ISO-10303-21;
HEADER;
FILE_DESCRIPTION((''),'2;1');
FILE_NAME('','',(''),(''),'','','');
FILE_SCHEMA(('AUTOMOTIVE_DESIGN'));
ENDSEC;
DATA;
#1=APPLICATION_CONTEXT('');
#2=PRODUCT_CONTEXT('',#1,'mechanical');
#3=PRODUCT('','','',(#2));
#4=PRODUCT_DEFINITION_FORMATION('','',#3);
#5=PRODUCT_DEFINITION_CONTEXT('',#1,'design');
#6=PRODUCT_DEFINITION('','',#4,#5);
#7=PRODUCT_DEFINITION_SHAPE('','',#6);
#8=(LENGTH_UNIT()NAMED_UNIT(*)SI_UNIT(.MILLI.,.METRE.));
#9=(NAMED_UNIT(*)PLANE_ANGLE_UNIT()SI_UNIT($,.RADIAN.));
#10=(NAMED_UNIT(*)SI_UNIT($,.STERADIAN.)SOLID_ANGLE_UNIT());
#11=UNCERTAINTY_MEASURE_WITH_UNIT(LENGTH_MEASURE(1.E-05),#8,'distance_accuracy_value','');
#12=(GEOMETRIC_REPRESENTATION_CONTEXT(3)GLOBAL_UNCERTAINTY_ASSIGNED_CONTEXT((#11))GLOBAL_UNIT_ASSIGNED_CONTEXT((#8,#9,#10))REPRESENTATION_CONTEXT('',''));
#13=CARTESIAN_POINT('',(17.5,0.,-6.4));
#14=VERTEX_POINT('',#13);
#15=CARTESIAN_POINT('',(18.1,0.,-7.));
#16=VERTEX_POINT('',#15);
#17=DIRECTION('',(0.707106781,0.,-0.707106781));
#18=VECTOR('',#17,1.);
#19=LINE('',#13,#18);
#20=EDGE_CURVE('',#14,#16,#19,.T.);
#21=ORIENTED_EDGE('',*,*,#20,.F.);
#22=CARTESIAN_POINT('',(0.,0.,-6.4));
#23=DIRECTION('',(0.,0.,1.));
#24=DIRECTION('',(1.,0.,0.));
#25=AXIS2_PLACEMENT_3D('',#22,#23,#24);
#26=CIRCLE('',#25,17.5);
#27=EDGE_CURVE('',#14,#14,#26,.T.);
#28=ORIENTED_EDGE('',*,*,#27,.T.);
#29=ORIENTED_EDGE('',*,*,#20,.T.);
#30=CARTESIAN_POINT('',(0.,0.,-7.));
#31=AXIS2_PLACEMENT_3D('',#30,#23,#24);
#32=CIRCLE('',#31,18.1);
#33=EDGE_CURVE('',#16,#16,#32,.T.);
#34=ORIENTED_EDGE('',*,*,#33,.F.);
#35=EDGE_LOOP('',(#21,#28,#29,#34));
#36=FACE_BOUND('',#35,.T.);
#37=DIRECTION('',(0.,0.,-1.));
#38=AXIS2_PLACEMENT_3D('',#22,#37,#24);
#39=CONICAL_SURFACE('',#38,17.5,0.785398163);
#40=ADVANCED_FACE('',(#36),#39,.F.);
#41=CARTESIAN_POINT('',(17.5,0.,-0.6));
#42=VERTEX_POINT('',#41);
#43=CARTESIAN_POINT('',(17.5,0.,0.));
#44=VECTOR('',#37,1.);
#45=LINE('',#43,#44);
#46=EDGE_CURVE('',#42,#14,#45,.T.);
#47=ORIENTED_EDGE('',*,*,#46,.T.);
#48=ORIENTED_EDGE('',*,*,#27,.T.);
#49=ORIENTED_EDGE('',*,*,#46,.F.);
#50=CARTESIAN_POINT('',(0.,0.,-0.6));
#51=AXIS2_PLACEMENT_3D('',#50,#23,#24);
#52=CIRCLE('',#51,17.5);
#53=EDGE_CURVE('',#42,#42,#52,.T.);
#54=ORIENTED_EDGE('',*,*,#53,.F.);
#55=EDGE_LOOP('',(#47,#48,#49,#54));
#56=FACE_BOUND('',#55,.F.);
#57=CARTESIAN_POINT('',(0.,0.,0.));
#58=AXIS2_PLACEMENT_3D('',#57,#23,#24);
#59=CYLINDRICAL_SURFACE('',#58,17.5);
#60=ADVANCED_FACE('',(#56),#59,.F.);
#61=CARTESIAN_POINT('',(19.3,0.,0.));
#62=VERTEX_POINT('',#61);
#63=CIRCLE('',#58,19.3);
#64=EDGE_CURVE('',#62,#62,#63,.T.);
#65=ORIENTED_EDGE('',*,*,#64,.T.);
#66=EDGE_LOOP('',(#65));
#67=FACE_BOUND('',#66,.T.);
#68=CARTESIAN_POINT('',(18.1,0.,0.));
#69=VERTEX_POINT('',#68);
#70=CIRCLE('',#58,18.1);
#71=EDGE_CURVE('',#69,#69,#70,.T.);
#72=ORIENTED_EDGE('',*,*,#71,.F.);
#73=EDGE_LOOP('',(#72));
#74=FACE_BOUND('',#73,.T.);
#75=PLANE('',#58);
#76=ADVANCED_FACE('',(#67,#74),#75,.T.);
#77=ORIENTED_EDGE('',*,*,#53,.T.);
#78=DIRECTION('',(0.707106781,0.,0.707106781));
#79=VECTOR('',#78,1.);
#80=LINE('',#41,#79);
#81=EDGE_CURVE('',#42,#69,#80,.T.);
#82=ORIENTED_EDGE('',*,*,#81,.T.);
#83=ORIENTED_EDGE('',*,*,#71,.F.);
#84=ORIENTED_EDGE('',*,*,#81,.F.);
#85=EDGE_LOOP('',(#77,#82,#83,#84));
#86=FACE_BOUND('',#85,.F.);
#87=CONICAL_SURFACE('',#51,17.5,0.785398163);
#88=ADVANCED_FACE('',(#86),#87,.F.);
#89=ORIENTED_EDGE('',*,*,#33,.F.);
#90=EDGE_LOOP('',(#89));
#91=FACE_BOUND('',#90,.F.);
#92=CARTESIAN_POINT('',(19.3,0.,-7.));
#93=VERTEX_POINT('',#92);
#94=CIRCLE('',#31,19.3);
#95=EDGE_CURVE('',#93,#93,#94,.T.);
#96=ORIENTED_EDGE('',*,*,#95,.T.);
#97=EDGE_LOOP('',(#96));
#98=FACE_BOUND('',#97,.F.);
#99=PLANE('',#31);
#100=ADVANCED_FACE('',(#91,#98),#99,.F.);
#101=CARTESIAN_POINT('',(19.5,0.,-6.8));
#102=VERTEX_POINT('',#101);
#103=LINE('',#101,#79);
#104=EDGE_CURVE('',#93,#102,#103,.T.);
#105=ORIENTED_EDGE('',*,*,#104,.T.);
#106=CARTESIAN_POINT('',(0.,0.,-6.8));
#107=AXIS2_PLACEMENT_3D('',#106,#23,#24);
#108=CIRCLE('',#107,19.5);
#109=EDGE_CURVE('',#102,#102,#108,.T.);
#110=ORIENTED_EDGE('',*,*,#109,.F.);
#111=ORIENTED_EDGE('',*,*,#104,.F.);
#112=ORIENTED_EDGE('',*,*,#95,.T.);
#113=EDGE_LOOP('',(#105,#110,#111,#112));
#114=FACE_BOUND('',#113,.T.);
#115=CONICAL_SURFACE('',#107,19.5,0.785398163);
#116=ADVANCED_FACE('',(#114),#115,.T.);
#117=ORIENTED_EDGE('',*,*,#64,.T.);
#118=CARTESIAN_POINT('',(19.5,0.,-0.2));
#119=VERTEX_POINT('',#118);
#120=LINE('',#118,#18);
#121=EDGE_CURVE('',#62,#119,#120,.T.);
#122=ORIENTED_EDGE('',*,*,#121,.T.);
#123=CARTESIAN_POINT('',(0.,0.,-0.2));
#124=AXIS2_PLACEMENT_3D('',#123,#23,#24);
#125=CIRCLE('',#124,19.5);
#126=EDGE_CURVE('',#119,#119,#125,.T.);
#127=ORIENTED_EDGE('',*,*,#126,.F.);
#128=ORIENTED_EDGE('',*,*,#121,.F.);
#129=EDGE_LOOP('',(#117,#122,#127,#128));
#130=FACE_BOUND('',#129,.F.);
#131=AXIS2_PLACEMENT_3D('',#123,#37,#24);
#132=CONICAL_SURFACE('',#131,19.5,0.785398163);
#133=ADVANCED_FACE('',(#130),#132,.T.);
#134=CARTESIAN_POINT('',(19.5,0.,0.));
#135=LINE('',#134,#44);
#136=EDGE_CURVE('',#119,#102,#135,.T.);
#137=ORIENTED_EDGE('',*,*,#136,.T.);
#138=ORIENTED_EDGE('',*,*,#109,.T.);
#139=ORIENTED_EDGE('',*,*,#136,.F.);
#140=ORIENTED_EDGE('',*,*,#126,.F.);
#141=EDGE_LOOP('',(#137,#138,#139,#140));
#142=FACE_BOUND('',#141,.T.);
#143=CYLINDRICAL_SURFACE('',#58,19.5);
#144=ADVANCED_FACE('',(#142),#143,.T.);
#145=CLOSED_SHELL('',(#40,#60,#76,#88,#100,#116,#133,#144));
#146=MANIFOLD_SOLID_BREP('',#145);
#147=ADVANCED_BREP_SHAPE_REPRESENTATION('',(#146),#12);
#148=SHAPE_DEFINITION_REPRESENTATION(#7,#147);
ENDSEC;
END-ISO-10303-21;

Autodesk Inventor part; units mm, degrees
ref_plane "YZ Plane" through (0, 0, 0) normal (1, 0, 0) x (0, 1, 0)
ref_plane "XZ Plane" through (0, 0, 0) normal (0, 1, 0) x (-1, 0, 0)
ref_plane "XY Plane" through (0, 0, 0) normal (0, 0, 1) x (1, 0, 0)
sketch "Sketch1" plane through (0, 0, 0) normal (0, 0, 1) x (1, 0, 0)
  circle A0 centre (0, 0) radius 19.5
  circle A1 centre (0, 0) radius 17.5
  dimension "d0" = 39
  dimension "d1" = 35
extrude "Extrusion1" add sketch "Sketch1" against normal blind 7
chamfer "Chamfer1" distance 0.6 angle 45 2 edges at (-17.5, 0, -7) (-17.5, 0, 0)
chamfer "Chamfer2" distance 0.2 angle 45 2 edges at (-19.5, 0, -7) (-19.5, 0, 0)
properties part number "6807-inner"
